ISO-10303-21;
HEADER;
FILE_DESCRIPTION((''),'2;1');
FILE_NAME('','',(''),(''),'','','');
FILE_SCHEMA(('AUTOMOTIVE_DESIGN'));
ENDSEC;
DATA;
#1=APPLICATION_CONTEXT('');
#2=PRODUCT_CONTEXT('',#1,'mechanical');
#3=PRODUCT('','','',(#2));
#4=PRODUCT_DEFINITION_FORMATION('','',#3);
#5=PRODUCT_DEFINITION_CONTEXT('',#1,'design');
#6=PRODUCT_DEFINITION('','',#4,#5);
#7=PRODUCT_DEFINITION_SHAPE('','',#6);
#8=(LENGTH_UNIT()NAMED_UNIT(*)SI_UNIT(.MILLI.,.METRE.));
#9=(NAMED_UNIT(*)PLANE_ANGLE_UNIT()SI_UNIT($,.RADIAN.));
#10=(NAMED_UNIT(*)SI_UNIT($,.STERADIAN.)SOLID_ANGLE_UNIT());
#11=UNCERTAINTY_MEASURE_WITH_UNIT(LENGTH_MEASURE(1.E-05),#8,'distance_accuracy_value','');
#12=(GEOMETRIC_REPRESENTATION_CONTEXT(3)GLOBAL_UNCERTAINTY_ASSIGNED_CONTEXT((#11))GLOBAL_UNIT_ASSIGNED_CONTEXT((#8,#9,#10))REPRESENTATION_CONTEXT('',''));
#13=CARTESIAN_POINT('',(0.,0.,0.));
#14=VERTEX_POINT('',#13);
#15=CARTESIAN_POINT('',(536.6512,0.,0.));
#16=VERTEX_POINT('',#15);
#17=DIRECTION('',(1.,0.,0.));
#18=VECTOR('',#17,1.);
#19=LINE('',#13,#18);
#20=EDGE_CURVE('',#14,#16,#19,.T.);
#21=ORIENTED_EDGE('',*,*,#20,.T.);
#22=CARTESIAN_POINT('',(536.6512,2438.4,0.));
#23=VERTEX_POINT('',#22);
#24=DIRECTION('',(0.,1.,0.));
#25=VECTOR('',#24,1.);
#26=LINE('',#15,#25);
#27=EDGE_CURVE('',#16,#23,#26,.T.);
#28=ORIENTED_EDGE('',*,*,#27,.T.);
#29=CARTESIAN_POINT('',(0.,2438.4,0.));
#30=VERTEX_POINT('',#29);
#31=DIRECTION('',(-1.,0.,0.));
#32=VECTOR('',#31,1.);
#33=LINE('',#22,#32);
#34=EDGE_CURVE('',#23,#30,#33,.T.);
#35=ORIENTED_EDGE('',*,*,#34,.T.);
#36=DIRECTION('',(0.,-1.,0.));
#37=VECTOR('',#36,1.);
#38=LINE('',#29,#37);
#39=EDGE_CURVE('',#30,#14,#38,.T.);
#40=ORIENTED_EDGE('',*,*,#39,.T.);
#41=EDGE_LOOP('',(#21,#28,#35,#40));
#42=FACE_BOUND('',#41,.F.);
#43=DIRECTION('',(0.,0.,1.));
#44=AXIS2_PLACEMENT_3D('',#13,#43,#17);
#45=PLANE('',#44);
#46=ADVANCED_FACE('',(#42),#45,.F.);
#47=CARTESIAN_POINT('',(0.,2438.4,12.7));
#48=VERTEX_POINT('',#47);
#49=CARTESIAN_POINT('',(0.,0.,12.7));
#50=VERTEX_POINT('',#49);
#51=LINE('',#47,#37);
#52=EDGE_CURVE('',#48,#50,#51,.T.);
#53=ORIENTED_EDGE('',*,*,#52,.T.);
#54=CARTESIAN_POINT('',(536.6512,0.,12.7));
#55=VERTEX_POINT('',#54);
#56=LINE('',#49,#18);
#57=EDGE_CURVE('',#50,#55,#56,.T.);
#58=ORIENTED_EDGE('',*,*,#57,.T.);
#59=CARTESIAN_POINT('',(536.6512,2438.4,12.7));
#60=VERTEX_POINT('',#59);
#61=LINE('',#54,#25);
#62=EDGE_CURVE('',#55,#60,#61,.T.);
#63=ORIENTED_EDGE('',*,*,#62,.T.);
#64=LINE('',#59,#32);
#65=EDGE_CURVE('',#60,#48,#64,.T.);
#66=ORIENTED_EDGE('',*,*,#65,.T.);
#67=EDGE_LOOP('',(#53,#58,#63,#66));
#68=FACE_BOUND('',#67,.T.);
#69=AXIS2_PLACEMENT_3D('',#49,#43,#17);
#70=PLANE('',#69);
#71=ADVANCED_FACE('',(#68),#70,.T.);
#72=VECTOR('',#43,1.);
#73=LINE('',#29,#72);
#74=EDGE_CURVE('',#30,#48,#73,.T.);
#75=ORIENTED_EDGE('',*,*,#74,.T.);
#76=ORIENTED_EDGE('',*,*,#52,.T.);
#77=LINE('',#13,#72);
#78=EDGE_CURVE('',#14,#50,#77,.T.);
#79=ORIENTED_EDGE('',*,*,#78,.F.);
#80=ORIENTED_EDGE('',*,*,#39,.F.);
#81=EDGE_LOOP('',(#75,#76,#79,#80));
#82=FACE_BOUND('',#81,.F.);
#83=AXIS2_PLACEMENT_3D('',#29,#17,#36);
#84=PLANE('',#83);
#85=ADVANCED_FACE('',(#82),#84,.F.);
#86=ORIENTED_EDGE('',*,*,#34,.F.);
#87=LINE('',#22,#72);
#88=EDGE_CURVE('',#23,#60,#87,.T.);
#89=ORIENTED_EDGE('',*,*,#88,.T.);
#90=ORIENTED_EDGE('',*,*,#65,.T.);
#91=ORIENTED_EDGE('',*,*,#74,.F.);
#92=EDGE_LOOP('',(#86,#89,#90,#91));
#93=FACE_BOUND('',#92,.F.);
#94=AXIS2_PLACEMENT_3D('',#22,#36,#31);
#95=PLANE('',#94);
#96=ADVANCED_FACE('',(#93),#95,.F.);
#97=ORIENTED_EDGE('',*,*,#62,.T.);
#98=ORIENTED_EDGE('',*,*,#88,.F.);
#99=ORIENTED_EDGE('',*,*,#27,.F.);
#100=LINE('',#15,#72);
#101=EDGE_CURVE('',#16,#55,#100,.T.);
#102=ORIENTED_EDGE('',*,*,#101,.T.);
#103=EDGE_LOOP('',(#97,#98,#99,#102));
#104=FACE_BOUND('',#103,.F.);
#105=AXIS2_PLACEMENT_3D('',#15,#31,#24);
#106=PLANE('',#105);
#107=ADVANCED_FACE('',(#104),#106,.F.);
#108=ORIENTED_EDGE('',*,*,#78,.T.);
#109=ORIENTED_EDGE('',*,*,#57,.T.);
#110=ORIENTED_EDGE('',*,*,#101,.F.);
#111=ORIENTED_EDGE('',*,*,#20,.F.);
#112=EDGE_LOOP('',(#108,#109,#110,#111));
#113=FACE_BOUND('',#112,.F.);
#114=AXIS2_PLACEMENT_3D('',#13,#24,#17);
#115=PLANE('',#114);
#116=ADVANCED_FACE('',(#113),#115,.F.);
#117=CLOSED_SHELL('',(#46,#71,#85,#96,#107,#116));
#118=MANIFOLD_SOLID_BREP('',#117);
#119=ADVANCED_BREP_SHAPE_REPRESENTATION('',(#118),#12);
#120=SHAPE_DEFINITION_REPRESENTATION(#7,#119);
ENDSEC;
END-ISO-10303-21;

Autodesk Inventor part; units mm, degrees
ref_plane "YZ Plane" through (0, 0, 0) normal (1, 0, 0) x (0, 1, 0)
ref_plane "XZ Plane" through (0, 0, 0) normal (0, 1, 0) x (-1, 0, 0)
ref_plane "XY Plane" through (0, 0, 0) normal (0, 0, 1) x (1, 0, 0)
sketch "Sketch1" plane through (0, 0, 0) normal (0, 0, 1) x (1, 0, 0)
  line L0 (0, 0) -> (536.6512, 0)
  line L1 (536.6512, 0) -> (536.6512, 2438.4)
  line L2 (536.6512, 2438.4) -> (0, 2438.4)
  line L3 (0, 2438.4) -> (0, 0)
  dimension "d2" = 2438.4
  dimension "d3" = 536.6512
extrude "Extrusion1" add sketch "Sketch1" along normal blind 12.7
properties part number "OSB_For_Walls_With_Dimensions_20.604_x_96_Inches" material "Wood (Birch)"
